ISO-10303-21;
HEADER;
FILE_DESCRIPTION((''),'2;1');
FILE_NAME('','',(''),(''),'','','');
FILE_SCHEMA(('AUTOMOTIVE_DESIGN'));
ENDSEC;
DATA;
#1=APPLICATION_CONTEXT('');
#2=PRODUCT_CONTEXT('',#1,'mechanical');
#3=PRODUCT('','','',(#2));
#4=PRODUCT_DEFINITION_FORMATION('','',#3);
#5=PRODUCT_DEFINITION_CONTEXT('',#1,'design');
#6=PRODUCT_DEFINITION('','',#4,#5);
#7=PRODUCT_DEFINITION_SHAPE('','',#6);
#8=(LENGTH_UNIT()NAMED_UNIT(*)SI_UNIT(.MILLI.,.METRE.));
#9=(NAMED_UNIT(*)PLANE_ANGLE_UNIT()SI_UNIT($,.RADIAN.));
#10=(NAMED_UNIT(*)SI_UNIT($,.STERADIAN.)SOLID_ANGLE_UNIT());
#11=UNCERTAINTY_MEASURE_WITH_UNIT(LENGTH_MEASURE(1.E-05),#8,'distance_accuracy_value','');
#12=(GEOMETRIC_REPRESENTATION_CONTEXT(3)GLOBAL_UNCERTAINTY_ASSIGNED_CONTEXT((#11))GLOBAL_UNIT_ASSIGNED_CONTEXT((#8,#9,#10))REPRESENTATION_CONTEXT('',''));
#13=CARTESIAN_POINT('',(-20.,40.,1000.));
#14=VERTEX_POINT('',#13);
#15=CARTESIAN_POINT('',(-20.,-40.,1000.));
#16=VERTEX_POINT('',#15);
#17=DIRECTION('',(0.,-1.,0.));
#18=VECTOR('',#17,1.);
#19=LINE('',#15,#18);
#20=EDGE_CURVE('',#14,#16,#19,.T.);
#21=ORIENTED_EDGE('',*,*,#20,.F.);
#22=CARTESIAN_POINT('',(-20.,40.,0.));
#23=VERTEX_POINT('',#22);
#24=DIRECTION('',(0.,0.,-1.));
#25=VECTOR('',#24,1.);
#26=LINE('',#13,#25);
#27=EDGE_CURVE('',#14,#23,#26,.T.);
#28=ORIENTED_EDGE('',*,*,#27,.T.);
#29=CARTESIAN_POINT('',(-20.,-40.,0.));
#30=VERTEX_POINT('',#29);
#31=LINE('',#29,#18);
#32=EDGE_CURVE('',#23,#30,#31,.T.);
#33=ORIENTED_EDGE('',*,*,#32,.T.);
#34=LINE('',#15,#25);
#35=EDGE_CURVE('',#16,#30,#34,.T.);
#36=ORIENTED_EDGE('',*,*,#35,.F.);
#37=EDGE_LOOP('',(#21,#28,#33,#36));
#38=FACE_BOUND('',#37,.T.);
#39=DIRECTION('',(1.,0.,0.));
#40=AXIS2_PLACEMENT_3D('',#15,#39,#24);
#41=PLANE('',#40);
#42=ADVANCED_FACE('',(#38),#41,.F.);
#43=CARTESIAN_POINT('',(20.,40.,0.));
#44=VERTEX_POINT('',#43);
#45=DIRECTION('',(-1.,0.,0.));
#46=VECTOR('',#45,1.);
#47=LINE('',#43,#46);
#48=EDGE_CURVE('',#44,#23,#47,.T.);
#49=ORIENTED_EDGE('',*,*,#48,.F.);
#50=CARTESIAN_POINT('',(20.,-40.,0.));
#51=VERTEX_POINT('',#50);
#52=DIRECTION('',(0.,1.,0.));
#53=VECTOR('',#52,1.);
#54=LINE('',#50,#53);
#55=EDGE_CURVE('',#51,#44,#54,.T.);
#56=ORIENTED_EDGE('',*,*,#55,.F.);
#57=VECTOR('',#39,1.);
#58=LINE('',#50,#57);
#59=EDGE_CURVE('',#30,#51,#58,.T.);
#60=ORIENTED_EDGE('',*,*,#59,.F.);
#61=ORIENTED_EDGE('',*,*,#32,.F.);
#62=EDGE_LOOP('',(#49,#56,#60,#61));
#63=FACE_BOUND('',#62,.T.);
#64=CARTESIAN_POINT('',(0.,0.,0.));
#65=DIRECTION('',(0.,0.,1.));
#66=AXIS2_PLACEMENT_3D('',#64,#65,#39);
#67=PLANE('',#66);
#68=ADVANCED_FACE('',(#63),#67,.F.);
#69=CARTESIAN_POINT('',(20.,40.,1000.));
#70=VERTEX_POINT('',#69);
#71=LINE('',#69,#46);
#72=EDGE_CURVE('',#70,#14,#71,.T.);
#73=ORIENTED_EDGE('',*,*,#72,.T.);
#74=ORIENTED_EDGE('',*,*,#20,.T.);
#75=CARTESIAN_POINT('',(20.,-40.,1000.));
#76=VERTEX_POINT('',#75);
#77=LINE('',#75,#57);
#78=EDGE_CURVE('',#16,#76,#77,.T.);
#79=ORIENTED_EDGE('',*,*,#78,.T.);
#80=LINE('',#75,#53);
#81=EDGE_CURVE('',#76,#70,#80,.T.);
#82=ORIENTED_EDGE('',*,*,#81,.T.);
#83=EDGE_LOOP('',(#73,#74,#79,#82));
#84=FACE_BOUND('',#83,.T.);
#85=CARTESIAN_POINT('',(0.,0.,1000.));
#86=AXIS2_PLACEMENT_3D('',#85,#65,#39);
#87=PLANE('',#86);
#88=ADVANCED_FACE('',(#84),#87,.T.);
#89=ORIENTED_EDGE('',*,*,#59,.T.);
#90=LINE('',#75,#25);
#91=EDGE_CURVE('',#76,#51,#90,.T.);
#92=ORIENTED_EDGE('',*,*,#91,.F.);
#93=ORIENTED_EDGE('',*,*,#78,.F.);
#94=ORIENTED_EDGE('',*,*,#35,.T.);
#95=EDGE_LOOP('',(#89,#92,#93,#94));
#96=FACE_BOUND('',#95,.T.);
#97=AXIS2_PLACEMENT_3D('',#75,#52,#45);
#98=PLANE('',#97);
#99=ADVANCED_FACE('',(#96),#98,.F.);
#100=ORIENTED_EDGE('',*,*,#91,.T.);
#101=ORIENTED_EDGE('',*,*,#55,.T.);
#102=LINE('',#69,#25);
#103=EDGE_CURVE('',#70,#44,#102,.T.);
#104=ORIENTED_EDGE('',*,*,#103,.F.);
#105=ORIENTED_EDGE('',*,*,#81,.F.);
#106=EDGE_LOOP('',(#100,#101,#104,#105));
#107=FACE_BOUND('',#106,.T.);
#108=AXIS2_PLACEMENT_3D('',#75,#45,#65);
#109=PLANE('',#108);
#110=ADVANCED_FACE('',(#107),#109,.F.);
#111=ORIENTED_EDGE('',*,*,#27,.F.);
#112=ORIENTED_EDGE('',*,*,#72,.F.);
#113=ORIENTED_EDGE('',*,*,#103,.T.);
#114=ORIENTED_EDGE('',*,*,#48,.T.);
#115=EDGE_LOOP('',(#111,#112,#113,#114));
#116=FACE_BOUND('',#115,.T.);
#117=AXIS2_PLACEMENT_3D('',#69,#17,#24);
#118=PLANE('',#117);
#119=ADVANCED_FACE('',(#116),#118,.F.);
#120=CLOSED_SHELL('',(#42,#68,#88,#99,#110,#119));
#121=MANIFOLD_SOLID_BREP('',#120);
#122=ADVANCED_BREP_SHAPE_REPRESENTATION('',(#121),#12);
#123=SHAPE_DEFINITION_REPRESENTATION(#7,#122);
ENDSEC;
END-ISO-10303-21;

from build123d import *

# Parameters (mm, degrees)
SKETCH_1_W      = 40
SKETCH_1_H      = 80
EXTRUDE_1_DEPTH = 1000


with BuildPart() as part:
    # 草图1 → 凸台-拉伸1 (new body)
    with BuildSketch(Plane.XY):
        Rectangle(SKETCH_1_W, SKETCH_1_H)
    extrude(amount=EXTRUDE_1_DEPTH)


solid = part.part
